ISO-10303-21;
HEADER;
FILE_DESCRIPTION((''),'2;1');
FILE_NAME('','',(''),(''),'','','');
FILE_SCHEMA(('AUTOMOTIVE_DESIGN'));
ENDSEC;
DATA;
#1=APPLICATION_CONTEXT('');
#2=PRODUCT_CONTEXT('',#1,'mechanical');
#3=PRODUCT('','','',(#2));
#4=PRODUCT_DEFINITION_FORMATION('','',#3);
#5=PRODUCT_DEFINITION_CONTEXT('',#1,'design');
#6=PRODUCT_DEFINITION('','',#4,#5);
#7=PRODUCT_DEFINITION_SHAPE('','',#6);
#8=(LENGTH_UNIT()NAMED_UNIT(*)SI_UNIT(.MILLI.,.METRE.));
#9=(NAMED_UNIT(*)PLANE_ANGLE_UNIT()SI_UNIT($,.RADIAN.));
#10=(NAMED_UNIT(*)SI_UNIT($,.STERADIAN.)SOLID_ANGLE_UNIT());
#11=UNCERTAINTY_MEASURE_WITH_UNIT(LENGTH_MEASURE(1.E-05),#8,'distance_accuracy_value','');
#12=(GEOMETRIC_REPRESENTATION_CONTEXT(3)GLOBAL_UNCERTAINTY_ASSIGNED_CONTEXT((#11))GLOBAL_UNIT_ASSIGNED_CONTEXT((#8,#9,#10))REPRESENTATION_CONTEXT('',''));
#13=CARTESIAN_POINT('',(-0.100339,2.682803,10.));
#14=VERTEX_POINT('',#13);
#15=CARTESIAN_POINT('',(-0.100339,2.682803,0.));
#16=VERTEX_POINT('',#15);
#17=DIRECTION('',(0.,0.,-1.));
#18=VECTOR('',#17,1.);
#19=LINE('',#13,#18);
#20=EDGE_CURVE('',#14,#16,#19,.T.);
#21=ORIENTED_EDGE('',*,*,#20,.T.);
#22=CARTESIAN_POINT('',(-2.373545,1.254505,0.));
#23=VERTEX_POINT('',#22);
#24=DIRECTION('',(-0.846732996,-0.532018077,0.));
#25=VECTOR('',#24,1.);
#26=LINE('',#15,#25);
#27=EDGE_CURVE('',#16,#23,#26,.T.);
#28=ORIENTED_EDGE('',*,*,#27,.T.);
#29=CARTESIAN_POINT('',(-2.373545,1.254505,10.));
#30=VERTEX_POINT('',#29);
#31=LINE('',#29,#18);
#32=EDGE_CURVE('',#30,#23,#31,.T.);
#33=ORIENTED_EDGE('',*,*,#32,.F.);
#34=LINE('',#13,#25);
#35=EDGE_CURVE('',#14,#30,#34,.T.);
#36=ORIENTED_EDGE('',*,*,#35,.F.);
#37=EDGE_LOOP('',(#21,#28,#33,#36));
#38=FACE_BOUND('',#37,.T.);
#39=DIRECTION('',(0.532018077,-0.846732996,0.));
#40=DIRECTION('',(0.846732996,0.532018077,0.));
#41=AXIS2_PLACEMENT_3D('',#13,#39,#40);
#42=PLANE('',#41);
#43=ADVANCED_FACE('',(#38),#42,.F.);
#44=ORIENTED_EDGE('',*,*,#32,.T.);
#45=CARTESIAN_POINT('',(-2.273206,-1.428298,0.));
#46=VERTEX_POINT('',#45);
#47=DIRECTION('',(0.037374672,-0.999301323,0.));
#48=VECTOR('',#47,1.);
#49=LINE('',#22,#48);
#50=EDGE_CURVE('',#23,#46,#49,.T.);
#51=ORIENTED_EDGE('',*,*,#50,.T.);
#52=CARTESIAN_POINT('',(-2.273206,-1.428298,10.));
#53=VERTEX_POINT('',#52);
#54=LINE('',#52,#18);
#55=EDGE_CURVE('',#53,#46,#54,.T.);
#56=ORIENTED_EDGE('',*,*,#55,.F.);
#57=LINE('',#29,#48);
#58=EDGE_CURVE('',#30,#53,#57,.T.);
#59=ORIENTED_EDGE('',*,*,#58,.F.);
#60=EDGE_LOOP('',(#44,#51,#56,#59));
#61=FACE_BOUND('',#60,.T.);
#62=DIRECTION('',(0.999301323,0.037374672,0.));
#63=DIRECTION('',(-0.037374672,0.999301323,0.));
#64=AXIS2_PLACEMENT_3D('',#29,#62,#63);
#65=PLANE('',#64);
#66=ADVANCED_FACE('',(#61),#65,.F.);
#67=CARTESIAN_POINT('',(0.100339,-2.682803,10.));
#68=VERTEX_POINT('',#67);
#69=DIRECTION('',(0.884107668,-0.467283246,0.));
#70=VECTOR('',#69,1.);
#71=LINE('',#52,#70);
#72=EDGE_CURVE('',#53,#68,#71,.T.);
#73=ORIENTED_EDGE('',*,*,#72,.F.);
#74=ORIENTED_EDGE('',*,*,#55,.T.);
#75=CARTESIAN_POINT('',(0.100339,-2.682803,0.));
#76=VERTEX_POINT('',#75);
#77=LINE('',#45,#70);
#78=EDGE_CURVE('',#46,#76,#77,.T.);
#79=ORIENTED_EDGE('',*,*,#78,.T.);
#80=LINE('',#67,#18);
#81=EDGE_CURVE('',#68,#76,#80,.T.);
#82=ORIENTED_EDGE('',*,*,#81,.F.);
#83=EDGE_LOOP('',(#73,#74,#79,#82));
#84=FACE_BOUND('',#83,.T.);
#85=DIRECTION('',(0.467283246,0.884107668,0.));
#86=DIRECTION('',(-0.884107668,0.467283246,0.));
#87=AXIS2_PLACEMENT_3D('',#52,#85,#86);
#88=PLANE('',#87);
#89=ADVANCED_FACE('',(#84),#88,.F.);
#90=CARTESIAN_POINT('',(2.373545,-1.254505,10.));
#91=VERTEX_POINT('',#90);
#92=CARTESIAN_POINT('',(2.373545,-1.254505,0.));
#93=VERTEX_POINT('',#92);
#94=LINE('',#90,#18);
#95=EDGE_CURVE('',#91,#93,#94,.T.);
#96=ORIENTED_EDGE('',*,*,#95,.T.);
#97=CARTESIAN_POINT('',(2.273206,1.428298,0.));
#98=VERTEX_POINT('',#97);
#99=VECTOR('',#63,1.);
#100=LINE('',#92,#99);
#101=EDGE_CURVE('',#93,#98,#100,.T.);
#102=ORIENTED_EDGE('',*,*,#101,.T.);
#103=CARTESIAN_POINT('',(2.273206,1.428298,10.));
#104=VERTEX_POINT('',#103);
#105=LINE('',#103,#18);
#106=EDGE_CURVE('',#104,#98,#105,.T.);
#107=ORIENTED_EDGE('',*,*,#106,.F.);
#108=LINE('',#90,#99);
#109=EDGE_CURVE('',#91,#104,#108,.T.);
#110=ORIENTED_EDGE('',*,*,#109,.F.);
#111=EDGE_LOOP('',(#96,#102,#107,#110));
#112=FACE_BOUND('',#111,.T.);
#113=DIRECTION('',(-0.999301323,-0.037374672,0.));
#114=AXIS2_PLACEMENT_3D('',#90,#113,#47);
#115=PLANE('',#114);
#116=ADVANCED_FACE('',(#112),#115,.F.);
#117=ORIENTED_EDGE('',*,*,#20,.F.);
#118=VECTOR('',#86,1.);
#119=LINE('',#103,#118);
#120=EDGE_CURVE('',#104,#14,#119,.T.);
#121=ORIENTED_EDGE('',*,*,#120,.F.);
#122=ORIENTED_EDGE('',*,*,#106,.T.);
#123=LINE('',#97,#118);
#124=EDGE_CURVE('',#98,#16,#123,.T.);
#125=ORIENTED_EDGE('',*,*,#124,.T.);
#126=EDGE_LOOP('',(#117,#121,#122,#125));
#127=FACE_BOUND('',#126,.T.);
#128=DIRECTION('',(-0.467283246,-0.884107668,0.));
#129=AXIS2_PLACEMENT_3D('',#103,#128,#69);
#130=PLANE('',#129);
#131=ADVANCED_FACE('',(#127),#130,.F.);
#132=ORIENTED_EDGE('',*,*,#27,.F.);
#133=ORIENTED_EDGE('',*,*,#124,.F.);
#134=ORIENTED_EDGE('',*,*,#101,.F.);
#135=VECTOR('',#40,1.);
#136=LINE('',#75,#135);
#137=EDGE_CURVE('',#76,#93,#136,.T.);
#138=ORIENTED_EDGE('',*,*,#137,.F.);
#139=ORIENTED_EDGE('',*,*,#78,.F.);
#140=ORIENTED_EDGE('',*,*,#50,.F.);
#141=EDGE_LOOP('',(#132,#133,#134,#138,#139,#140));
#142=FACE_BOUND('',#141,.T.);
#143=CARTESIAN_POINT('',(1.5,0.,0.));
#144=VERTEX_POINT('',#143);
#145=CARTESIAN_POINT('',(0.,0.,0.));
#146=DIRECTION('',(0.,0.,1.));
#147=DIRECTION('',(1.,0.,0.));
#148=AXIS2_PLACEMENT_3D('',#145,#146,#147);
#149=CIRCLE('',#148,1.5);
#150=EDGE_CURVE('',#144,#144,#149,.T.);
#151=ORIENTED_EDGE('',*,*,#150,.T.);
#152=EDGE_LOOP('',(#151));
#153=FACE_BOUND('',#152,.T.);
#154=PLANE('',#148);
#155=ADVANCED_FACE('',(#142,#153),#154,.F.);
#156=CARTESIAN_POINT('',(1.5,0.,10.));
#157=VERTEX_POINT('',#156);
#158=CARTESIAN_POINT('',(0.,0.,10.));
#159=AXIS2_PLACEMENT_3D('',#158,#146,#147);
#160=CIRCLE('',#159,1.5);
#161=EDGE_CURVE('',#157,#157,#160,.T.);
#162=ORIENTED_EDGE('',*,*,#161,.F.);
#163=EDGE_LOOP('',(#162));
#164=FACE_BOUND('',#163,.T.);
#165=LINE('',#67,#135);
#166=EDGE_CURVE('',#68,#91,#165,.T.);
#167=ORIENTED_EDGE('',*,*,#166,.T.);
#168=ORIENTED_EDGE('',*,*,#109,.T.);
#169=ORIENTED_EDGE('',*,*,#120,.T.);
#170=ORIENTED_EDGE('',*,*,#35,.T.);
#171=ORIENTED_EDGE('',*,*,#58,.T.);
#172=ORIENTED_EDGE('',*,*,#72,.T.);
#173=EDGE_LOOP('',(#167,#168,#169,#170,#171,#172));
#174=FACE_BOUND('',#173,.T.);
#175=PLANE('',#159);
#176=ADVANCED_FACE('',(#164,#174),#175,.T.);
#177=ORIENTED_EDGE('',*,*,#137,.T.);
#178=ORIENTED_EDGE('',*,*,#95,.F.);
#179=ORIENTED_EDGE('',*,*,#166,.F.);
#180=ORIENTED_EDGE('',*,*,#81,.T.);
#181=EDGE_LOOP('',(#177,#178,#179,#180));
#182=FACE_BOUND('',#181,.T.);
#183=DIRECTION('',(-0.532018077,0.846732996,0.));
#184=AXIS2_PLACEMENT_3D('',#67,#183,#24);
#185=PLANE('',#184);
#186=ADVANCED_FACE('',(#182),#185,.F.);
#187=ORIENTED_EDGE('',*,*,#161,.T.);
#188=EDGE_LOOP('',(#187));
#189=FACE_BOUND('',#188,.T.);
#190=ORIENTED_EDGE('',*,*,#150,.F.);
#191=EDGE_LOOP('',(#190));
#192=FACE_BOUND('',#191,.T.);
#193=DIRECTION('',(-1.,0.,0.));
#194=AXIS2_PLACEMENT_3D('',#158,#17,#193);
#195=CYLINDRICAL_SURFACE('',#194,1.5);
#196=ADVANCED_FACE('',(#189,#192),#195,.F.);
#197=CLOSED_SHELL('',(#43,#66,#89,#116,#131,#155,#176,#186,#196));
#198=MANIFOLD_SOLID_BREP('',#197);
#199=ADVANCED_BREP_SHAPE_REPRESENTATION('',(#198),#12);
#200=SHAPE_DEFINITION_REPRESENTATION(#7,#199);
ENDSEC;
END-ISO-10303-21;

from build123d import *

# Parameters (mm, degrees)
SKETCH_1_R      = 1.5
EXTRUDE_1_DEPTH = 10


with BuildPart() as part:
    # 草图1 → 凸台-拉伸1 (new body)
    with BuildSketch(Plane.XY):
        Polygon((2.273206082, 1.428297627), (-0.100338988, 2.682803028), (-2.37354507, 1.254505402), (-2.273206082, -1.428297627), (0.100338988, -2.682803028), (2.37354507, -1.254505402), align=None)
        Circle(SKETCH_1_R, mode=Mode.SUBTRACT)
    extrude(amount=EXTRUDE_1_DEPTH)


solid = part.part
